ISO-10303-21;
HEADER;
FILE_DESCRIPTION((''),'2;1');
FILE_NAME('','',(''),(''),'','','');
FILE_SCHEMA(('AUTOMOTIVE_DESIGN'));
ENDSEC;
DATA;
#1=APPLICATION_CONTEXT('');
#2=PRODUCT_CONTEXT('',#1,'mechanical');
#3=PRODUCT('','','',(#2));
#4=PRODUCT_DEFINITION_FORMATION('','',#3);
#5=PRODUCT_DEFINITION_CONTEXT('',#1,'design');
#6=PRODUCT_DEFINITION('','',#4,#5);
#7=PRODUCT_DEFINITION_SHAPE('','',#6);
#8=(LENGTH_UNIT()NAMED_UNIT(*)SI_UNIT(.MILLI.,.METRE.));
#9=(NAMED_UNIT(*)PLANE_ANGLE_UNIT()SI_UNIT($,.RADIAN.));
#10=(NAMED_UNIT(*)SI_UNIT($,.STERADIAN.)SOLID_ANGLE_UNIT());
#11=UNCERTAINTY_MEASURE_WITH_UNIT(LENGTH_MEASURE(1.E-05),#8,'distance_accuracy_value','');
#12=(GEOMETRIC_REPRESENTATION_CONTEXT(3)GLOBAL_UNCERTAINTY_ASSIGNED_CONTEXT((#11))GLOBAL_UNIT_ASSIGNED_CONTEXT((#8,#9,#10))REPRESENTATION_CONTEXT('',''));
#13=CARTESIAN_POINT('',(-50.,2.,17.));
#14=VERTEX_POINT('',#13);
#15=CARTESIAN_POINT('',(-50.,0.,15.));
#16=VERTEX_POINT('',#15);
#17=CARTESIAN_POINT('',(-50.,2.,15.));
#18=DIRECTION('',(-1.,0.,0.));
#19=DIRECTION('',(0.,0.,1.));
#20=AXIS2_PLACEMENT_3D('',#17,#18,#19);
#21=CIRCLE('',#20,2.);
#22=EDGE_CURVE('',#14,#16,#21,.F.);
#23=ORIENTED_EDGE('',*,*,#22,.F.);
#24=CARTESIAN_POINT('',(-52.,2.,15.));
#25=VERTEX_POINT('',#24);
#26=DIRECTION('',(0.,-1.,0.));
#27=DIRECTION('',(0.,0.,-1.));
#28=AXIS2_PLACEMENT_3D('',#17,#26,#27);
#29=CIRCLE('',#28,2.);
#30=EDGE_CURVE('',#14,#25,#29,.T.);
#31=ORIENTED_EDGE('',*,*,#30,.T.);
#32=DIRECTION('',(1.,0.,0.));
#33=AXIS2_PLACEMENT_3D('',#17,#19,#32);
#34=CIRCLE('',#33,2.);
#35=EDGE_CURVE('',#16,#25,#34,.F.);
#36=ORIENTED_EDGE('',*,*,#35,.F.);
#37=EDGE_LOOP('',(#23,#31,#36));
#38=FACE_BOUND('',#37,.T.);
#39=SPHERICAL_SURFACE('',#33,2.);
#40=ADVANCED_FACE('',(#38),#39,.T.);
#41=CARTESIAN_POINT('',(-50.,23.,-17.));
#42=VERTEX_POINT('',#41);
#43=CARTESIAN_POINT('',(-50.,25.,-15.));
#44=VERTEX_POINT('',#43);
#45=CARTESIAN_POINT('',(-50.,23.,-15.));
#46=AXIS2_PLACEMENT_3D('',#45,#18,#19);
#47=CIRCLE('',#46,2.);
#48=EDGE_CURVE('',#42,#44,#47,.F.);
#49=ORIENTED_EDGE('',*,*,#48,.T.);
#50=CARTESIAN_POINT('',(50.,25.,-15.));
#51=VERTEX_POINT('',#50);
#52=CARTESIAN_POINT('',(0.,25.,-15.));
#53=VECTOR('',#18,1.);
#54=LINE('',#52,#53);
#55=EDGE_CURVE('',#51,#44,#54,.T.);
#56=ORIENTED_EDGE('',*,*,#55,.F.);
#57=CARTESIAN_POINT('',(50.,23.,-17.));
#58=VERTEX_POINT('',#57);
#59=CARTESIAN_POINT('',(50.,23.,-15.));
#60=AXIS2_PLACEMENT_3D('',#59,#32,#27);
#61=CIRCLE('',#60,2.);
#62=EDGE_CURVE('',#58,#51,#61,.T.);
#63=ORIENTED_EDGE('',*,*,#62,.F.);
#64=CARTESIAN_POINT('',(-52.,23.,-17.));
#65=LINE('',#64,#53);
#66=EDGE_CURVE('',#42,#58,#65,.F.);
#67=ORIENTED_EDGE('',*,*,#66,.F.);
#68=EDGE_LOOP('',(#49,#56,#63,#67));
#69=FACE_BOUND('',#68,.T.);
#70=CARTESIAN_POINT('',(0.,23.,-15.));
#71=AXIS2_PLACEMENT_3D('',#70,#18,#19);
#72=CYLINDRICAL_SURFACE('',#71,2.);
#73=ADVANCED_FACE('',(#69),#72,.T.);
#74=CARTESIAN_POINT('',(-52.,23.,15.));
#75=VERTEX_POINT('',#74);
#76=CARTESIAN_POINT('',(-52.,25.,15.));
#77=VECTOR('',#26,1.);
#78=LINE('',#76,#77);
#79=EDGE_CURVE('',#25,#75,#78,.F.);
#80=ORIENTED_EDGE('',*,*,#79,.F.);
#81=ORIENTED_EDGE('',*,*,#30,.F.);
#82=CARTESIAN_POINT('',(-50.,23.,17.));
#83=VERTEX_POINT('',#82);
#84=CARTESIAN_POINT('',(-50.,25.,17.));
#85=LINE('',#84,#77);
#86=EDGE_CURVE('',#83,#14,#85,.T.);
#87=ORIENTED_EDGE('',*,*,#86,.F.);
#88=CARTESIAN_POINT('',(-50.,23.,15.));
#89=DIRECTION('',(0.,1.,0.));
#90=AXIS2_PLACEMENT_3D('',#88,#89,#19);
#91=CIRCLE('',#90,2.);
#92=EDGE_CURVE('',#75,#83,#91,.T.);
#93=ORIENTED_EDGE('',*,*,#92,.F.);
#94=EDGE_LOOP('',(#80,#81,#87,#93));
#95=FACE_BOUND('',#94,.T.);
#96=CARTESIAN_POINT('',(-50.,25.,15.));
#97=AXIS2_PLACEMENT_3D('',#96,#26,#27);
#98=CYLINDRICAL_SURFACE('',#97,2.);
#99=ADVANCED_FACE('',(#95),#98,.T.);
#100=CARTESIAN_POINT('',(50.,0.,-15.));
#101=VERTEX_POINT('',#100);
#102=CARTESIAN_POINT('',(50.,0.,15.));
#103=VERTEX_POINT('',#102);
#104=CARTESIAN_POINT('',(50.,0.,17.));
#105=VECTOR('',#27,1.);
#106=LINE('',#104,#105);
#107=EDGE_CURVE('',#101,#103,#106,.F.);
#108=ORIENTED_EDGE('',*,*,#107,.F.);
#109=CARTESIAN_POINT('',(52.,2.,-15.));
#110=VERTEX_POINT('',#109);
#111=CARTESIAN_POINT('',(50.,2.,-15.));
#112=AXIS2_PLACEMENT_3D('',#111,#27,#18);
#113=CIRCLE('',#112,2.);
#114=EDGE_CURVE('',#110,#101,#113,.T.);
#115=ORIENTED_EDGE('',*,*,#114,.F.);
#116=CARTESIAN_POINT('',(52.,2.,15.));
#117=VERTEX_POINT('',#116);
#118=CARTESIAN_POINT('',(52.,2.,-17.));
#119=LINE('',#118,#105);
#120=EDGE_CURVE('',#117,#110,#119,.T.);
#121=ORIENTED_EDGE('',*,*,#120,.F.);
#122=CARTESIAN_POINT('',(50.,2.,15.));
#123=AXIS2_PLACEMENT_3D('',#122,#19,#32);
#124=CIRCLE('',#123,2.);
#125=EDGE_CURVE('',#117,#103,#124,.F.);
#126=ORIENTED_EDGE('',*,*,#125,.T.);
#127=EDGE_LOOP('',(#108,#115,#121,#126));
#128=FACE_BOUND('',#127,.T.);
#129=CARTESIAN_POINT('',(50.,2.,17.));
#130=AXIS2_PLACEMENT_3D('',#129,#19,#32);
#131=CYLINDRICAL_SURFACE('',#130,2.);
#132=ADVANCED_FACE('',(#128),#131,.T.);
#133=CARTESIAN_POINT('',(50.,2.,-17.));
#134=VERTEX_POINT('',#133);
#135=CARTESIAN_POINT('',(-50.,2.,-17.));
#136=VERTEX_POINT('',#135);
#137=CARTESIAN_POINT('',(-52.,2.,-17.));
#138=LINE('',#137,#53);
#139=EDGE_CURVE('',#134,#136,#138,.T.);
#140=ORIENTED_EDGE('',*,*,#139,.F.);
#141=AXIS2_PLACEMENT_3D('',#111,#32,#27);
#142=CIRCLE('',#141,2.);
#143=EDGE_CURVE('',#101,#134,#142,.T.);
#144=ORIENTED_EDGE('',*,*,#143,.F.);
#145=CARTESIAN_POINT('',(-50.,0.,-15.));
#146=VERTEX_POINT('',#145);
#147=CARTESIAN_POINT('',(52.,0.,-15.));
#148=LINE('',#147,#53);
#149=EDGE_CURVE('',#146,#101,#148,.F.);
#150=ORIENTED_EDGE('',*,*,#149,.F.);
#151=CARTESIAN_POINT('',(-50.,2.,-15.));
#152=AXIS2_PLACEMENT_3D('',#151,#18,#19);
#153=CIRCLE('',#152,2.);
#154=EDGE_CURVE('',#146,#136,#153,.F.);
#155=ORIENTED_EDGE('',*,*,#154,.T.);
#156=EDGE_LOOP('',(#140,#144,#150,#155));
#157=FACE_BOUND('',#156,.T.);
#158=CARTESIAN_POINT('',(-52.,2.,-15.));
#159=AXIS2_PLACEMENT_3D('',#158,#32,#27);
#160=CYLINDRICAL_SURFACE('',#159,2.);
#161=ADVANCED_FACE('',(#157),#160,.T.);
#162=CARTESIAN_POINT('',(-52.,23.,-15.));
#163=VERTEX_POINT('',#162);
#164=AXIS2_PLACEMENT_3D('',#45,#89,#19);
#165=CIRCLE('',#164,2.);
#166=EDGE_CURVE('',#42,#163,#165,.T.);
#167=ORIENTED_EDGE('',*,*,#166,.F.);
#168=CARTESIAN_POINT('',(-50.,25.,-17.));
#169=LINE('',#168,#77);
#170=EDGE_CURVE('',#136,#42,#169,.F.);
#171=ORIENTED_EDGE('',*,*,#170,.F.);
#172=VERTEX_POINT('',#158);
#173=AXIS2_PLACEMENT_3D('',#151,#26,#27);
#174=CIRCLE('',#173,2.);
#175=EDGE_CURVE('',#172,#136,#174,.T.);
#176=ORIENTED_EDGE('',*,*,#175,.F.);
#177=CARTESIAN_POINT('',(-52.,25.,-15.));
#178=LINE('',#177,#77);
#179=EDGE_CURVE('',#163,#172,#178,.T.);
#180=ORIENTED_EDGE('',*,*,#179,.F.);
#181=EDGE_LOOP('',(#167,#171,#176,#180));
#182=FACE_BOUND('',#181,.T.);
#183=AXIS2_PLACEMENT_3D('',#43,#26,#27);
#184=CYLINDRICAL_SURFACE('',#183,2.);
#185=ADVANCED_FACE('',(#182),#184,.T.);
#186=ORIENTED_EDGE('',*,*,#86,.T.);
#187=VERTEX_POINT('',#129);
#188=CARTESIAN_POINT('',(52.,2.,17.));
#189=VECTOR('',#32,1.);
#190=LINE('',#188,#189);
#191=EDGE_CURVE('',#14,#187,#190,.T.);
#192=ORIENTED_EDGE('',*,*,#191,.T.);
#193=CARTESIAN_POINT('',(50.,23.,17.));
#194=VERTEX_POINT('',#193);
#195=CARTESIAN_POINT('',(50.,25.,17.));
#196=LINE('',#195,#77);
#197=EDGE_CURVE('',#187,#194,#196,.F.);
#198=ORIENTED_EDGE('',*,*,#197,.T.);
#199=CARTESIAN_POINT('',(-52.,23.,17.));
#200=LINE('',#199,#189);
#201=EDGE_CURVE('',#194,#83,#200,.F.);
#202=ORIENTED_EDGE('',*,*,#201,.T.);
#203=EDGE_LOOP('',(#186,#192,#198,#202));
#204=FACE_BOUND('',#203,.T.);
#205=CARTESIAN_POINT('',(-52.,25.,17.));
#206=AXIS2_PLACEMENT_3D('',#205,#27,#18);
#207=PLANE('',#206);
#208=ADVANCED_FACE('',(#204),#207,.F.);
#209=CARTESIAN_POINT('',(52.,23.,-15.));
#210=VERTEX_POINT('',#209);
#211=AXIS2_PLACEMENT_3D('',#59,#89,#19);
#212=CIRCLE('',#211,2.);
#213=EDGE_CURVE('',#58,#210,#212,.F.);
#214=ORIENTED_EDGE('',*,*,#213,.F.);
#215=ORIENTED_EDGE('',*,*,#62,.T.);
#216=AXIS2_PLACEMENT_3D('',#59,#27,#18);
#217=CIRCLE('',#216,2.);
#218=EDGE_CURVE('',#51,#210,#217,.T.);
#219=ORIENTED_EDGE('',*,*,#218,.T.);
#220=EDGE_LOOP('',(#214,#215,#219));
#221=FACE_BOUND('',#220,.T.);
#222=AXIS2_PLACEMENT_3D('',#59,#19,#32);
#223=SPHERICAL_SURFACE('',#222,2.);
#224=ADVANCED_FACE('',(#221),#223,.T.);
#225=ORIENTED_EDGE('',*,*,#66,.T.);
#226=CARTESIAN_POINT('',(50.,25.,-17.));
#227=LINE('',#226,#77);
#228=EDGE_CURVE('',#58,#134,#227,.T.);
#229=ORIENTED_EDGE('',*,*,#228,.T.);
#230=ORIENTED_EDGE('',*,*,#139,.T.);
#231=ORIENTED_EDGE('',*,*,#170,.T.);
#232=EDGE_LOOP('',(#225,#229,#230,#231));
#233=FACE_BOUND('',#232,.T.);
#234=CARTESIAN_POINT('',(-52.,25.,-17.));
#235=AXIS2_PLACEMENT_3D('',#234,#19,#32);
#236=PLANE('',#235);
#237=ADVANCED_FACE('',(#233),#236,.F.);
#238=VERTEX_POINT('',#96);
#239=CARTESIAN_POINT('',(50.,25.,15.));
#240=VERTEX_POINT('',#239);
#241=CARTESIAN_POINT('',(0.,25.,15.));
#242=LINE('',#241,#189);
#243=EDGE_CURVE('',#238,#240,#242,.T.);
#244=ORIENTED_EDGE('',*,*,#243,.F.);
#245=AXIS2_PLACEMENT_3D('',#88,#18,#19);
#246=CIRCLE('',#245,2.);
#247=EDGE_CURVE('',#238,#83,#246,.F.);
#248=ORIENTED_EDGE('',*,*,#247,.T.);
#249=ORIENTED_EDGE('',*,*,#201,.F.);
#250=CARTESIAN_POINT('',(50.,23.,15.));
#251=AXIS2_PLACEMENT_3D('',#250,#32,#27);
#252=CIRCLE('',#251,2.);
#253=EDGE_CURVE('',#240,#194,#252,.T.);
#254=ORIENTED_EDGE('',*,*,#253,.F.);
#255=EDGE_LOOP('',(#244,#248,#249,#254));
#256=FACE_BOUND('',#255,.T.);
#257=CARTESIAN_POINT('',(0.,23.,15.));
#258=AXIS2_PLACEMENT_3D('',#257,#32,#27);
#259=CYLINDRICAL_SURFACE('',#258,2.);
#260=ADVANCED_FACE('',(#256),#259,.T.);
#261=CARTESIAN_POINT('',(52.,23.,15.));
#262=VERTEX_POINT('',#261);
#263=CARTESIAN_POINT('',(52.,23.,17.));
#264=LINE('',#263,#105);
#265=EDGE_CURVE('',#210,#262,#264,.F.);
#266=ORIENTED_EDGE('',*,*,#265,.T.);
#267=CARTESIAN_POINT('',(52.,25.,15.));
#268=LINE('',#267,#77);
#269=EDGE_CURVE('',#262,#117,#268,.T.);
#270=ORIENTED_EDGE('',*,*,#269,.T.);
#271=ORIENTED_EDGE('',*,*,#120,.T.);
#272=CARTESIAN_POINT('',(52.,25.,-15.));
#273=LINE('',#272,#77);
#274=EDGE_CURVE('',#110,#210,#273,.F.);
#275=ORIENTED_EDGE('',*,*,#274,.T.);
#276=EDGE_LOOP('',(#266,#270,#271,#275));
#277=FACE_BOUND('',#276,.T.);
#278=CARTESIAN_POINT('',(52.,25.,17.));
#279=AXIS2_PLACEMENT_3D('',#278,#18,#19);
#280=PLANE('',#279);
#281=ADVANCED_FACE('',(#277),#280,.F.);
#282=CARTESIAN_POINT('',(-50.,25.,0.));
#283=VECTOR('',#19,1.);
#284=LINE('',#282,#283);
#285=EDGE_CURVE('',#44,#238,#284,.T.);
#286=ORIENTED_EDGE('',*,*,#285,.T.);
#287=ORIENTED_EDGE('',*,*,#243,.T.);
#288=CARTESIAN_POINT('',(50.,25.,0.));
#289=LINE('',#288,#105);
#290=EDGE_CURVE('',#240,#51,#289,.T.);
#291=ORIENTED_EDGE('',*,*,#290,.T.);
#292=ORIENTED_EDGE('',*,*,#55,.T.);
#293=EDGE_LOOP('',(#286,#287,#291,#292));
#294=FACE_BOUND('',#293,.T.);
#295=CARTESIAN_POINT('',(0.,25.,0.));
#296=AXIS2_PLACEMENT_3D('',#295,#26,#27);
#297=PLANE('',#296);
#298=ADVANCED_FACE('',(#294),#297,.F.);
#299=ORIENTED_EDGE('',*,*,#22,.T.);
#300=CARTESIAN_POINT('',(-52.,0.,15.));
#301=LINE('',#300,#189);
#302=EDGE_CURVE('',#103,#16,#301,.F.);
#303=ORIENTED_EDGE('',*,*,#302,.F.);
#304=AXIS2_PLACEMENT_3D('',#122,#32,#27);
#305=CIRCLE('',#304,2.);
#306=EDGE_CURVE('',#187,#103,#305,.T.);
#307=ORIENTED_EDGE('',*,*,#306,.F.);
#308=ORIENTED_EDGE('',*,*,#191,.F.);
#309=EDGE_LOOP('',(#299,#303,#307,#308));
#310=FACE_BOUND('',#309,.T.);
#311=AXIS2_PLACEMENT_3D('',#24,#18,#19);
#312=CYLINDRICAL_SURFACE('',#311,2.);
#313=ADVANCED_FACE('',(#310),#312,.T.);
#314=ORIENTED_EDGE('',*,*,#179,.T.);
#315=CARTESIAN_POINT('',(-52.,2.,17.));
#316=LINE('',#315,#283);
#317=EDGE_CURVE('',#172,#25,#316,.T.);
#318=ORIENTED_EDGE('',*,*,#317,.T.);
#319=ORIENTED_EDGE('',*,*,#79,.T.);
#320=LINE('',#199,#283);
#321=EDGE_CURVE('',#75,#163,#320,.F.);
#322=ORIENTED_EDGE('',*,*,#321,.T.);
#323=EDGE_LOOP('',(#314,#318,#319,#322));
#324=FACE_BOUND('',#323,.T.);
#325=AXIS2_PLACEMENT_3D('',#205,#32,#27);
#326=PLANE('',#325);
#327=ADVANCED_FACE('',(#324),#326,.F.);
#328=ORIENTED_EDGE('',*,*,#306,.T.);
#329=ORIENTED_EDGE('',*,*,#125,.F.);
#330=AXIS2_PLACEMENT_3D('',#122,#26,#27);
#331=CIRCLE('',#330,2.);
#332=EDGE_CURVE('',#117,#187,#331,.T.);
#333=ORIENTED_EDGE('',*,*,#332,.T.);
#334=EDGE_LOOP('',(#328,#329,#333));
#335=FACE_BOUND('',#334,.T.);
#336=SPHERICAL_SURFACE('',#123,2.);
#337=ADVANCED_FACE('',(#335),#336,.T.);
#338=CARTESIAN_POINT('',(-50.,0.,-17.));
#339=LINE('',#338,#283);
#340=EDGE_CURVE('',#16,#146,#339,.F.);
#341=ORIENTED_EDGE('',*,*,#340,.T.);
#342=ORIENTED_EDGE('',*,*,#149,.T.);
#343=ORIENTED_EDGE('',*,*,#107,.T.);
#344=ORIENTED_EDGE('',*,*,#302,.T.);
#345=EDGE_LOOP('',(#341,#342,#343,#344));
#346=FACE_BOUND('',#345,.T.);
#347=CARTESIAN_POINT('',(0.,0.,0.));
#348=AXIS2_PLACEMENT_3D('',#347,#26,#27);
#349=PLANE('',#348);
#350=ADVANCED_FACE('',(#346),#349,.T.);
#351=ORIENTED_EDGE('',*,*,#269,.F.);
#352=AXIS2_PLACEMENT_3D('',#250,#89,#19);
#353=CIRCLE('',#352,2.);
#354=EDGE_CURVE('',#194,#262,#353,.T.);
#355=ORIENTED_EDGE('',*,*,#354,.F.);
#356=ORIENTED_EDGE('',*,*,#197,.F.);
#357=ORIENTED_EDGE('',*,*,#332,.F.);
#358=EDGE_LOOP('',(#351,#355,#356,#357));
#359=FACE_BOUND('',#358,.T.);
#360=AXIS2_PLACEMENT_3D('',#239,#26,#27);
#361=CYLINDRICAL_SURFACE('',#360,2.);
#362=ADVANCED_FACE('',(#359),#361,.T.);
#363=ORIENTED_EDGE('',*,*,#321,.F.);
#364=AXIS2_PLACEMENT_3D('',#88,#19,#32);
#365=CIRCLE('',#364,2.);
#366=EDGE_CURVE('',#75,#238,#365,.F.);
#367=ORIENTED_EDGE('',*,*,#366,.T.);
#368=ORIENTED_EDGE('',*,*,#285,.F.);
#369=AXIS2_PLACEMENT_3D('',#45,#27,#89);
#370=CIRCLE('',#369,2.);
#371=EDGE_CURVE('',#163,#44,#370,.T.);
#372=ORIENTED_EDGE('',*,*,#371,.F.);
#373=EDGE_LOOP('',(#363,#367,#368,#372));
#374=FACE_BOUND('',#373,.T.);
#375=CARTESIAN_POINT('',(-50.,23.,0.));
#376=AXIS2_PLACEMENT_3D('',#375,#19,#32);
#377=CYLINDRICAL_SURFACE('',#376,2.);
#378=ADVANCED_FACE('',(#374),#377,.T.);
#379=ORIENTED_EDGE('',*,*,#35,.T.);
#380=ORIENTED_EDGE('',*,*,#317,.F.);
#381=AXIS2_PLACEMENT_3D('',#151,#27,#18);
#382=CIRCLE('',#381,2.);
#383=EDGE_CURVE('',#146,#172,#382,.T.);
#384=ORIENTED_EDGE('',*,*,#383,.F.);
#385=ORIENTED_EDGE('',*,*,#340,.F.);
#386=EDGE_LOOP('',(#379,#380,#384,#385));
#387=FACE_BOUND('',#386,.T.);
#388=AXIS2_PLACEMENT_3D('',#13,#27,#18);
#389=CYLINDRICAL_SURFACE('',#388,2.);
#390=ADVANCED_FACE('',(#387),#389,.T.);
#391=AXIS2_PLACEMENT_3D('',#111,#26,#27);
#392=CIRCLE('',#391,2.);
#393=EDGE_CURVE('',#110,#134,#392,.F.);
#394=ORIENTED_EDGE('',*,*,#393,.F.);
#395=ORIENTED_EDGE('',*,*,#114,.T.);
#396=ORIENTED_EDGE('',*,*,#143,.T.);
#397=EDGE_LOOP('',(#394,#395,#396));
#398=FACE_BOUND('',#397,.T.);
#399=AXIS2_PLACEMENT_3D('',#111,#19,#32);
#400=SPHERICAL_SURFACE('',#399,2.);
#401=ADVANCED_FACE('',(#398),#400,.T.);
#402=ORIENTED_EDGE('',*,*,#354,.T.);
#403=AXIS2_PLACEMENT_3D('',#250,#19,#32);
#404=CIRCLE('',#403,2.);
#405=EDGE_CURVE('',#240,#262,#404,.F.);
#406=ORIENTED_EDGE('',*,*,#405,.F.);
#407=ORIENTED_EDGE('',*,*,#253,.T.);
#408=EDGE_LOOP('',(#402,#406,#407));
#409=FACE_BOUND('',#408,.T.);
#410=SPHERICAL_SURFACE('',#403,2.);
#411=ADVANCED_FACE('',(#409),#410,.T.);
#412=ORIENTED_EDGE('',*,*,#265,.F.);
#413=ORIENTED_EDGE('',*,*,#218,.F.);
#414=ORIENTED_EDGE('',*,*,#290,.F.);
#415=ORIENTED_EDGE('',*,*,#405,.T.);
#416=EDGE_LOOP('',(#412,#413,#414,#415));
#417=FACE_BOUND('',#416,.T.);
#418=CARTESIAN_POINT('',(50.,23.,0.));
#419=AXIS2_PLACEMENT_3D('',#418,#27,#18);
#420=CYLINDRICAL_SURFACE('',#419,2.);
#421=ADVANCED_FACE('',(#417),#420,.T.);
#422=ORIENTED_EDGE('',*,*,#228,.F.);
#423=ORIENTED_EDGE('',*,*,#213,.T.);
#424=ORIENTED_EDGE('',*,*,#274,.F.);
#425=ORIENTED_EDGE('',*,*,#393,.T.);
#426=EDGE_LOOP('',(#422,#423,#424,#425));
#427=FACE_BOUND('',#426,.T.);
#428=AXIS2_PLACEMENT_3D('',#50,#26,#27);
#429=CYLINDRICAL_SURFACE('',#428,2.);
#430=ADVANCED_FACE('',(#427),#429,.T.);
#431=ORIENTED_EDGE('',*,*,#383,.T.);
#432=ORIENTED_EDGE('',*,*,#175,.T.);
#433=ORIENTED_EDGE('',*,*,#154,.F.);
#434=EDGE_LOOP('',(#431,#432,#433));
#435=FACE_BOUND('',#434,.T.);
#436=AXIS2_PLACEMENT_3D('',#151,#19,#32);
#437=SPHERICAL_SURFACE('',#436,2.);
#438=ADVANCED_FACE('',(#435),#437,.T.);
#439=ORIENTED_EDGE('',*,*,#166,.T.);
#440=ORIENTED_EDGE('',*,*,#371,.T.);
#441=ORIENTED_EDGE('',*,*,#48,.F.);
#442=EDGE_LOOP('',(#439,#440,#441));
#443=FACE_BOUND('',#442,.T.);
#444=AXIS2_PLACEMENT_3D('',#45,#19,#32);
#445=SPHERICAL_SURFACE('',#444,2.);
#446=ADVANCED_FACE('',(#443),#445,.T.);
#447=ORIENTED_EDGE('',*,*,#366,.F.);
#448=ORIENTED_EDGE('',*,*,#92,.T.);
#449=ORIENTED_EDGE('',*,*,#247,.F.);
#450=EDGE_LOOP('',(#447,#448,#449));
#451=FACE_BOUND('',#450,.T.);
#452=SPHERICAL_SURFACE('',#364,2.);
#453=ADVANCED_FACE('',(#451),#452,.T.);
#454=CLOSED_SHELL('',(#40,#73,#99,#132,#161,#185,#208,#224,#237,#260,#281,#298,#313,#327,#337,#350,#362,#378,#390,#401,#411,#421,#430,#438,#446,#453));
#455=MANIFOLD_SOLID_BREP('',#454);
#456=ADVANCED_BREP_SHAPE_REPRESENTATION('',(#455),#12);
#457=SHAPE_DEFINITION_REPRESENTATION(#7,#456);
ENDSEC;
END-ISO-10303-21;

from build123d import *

# Parameters (mm, degrees)
SKETCH1_W           = 104
SKETCH1_H           = 34
BOSS_EXTRUDE1_DEPTH = 25
FILLET1_R           = 2


with BuildPart() as part:
    # Sketch1 → Boss-Extrude1 (new body)
    with BuildSketch(Plane(origin=(0, 0, 0), x_dir=(1, 0, 0), z_dir=(0, 1, 0))):
        Rectangle(SKETCH1_W, SKETCH1_H)
    extrude(amount=BOSS_EXTRUDE1_DEPTH)

    # Fillet1
    fillet1_edges = [part.edges().sort_by_distance(p)[0] for p in [
        (-52, 25, 0),
        (0, 25, 17),
        (52, 25, 0),
        (0, 0, 17),
        (-52, 0, 0),
        (0, 0, -17),
        (52, 0, 0),
        (0, 25, -17),
        (52, 12.5, 17),
        (-52, 12.5, 17),
        (-52, 12.5, -17),
        (52, 12.5, -17),
    ]]
    fillet(fillet1_edges, radius=FILLET1_R)


solid = part.part
